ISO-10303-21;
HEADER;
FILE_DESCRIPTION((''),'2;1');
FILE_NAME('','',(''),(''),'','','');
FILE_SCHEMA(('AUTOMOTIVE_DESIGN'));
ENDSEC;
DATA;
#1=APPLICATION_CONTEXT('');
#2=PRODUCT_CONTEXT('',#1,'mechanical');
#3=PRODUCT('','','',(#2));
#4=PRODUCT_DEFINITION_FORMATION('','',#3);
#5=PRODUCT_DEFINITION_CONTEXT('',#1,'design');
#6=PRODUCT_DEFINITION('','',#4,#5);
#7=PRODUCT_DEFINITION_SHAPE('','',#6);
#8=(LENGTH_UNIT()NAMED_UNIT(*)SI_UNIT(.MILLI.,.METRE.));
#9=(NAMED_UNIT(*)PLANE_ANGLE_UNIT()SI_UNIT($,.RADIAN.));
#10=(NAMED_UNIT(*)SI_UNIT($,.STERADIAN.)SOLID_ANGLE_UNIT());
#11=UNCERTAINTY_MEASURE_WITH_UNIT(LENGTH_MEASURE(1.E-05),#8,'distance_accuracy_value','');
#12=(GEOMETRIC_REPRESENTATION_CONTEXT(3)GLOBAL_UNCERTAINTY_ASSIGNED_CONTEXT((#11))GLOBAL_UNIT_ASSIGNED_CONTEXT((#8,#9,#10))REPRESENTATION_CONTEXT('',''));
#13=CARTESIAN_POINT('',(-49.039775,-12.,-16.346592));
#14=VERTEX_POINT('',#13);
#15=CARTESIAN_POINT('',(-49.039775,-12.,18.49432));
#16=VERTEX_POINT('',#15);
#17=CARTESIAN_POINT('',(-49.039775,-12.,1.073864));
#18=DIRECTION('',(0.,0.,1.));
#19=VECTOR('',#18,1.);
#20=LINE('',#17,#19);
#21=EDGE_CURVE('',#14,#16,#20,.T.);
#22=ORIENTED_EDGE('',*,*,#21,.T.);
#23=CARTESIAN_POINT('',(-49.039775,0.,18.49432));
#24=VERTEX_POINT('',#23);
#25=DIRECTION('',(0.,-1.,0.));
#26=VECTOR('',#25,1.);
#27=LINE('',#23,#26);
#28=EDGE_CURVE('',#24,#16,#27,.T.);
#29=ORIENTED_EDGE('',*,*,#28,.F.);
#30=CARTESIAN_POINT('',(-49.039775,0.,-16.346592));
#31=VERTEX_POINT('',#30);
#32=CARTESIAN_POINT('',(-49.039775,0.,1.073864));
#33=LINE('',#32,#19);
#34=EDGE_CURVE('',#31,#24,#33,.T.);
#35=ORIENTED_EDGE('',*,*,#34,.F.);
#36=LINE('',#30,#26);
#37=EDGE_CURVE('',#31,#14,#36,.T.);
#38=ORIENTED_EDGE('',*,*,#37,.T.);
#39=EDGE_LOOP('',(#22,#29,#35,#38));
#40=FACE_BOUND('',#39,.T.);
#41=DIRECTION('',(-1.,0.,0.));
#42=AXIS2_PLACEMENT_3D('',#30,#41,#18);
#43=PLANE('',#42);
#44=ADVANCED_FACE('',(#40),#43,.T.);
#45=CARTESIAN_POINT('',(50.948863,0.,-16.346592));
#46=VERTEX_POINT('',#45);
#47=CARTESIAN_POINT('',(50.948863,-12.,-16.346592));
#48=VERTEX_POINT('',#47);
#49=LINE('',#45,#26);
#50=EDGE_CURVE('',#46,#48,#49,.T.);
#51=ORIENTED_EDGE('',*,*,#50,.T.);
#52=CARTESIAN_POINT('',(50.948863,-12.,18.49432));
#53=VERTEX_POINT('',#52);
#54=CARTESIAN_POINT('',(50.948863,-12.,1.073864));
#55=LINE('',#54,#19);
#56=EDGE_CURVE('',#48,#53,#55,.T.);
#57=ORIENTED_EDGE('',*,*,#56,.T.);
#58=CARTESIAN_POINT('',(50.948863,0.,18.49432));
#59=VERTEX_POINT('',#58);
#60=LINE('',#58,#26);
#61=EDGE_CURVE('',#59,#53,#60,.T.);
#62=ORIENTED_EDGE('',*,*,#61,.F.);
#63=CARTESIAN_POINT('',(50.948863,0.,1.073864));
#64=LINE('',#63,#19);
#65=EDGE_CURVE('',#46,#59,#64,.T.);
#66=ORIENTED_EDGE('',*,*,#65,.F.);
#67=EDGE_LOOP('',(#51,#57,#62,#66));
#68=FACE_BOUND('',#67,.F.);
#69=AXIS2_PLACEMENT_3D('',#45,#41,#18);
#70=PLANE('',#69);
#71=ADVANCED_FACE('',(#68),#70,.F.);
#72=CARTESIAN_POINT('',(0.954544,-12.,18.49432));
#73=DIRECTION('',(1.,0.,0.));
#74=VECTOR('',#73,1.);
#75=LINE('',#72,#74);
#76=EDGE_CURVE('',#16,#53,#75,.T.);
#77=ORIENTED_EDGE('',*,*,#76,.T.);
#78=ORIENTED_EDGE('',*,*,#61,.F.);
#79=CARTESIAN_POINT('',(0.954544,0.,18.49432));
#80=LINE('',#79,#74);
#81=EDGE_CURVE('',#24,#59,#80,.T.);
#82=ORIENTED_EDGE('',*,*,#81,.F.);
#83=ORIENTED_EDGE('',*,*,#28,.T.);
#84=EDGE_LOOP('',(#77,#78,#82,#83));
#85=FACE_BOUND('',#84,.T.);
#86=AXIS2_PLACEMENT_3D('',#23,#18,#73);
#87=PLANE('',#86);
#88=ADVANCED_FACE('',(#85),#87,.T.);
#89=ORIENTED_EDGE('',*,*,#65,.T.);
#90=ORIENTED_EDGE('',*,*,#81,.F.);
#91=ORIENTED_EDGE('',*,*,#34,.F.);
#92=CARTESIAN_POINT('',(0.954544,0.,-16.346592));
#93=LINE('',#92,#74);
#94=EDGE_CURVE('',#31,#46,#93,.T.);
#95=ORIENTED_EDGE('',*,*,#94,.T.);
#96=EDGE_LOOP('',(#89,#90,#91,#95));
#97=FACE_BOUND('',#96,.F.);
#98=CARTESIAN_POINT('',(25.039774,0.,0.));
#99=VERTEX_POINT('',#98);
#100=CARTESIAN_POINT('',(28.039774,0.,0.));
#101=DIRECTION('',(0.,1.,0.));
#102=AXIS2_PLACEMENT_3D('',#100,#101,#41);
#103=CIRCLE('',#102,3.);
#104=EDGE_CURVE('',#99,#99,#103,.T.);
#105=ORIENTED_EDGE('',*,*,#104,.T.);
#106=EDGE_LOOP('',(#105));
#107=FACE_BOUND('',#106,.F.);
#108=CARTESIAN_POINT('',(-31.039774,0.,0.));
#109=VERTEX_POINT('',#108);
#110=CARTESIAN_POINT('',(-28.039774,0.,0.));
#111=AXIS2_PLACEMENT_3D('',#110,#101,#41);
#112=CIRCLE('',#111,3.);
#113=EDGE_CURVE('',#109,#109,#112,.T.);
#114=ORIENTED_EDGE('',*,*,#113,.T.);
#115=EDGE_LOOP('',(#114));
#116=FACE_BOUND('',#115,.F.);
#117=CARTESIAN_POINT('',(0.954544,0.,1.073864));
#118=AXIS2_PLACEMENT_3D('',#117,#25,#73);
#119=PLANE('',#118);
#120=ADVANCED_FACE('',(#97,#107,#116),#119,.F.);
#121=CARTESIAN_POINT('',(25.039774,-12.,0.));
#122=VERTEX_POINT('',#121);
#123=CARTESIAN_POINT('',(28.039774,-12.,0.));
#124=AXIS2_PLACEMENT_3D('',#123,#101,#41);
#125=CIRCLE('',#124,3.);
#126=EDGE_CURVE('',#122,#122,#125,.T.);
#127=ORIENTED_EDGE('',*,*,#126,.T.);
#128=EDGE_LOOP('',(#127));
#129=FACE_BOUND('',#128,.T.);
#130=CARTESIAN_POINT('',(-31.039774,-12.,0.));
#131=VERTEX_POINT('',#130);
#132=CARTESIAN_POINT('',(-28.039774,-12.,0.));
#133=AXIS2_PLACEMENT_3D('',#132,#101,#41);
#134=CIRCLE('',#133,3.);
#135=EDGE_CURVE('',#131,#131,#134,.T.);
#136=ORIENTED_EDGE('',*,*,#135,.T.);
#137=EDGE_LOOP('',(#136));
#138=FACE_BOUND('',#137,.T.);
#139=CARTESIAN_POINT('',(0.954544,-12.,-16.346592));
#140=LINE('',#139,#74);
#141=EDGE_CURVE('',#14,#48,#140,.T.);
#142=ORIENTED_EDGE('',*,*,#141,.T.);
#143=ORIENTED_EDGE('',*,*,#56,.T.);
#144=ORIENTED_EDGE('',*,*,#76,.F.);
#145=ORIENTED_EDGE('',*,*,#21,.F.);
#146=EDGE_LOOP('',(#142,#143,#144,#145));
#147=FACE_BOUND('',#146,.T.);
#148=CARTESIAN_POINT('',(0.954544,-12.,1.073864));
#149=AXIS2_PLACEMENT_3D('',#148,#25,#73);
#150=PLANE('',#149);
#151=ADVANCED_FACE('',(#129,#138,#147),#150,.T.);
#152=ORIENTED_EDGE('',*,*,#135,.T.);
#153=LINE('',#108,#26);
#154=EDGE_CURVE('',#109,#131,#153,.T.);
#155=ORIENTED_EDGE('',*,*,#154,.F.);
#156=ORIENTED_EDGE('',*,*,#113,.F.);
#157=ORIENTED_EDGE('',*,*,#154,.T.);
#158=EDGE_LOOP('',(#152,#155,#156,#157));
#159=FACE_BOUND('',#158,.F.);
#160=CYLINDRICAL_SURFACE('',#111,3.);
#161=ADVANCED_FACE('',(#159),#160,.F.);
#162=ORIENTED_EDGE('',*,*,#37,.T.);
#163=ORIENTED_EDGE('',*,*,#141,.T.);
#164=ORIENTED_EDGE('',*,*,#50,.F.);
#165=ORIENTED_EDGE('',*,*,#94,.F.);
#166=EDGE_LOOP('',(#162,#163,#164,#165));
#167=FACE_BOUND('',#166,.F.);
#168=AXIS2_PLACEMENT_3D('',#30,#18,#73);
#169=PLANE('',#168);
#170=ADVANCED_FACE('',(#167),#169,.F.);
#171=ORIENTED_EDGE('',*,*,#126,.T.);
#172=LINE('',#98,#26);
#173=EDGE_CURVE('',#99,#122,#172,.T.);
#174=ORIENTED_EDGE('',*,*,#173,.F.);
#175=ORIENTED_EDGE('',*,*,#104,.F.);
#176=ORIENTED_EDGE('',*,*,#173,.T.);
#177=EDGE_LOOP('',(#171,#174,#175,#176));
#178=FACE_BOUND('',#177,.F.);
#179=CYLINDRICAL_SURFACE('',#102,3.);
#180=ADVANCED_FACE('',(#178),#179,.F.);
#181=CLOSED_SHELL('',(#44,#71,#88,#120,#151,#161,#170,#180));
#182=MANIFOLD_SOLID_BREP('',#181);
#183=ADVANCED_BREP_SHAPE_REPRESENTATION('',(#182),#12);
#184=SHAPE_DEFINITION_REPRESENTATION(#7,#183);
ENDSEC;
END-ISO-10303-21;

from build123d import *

# Parameters (mm, degrees)
F0_W     = 99.988638
F0_H     = 34.840912
F1_DEPTH = 12
F2_R     = 3
F3_DEPTH = 75


with BuildPart() as f1:
    # F0 (on Front) → F1 (new body)
    with BuildSketch(Plane.XZ):
        with Locations((0.954544, 1.073864)):
            Rectangle(F0_W, F0_H)
    extrude(amount=F1_DEPTH)

    # F2 (on face) → F3 (cut)
    with BuildSketch(Plane(origin=(0, 0, 0), x_dir=(-1, 0, 0), z_dir=(0, 1, 0))):
        with Locations((-28.039774, 0)):
            Circle(F2_R)
        with Locations((28.039774, 0)):
            Circle(F2_R)
    extrude(amount=-F3_DEPTH, mode=Mode.SUBTRACT)


solid = f1.part
